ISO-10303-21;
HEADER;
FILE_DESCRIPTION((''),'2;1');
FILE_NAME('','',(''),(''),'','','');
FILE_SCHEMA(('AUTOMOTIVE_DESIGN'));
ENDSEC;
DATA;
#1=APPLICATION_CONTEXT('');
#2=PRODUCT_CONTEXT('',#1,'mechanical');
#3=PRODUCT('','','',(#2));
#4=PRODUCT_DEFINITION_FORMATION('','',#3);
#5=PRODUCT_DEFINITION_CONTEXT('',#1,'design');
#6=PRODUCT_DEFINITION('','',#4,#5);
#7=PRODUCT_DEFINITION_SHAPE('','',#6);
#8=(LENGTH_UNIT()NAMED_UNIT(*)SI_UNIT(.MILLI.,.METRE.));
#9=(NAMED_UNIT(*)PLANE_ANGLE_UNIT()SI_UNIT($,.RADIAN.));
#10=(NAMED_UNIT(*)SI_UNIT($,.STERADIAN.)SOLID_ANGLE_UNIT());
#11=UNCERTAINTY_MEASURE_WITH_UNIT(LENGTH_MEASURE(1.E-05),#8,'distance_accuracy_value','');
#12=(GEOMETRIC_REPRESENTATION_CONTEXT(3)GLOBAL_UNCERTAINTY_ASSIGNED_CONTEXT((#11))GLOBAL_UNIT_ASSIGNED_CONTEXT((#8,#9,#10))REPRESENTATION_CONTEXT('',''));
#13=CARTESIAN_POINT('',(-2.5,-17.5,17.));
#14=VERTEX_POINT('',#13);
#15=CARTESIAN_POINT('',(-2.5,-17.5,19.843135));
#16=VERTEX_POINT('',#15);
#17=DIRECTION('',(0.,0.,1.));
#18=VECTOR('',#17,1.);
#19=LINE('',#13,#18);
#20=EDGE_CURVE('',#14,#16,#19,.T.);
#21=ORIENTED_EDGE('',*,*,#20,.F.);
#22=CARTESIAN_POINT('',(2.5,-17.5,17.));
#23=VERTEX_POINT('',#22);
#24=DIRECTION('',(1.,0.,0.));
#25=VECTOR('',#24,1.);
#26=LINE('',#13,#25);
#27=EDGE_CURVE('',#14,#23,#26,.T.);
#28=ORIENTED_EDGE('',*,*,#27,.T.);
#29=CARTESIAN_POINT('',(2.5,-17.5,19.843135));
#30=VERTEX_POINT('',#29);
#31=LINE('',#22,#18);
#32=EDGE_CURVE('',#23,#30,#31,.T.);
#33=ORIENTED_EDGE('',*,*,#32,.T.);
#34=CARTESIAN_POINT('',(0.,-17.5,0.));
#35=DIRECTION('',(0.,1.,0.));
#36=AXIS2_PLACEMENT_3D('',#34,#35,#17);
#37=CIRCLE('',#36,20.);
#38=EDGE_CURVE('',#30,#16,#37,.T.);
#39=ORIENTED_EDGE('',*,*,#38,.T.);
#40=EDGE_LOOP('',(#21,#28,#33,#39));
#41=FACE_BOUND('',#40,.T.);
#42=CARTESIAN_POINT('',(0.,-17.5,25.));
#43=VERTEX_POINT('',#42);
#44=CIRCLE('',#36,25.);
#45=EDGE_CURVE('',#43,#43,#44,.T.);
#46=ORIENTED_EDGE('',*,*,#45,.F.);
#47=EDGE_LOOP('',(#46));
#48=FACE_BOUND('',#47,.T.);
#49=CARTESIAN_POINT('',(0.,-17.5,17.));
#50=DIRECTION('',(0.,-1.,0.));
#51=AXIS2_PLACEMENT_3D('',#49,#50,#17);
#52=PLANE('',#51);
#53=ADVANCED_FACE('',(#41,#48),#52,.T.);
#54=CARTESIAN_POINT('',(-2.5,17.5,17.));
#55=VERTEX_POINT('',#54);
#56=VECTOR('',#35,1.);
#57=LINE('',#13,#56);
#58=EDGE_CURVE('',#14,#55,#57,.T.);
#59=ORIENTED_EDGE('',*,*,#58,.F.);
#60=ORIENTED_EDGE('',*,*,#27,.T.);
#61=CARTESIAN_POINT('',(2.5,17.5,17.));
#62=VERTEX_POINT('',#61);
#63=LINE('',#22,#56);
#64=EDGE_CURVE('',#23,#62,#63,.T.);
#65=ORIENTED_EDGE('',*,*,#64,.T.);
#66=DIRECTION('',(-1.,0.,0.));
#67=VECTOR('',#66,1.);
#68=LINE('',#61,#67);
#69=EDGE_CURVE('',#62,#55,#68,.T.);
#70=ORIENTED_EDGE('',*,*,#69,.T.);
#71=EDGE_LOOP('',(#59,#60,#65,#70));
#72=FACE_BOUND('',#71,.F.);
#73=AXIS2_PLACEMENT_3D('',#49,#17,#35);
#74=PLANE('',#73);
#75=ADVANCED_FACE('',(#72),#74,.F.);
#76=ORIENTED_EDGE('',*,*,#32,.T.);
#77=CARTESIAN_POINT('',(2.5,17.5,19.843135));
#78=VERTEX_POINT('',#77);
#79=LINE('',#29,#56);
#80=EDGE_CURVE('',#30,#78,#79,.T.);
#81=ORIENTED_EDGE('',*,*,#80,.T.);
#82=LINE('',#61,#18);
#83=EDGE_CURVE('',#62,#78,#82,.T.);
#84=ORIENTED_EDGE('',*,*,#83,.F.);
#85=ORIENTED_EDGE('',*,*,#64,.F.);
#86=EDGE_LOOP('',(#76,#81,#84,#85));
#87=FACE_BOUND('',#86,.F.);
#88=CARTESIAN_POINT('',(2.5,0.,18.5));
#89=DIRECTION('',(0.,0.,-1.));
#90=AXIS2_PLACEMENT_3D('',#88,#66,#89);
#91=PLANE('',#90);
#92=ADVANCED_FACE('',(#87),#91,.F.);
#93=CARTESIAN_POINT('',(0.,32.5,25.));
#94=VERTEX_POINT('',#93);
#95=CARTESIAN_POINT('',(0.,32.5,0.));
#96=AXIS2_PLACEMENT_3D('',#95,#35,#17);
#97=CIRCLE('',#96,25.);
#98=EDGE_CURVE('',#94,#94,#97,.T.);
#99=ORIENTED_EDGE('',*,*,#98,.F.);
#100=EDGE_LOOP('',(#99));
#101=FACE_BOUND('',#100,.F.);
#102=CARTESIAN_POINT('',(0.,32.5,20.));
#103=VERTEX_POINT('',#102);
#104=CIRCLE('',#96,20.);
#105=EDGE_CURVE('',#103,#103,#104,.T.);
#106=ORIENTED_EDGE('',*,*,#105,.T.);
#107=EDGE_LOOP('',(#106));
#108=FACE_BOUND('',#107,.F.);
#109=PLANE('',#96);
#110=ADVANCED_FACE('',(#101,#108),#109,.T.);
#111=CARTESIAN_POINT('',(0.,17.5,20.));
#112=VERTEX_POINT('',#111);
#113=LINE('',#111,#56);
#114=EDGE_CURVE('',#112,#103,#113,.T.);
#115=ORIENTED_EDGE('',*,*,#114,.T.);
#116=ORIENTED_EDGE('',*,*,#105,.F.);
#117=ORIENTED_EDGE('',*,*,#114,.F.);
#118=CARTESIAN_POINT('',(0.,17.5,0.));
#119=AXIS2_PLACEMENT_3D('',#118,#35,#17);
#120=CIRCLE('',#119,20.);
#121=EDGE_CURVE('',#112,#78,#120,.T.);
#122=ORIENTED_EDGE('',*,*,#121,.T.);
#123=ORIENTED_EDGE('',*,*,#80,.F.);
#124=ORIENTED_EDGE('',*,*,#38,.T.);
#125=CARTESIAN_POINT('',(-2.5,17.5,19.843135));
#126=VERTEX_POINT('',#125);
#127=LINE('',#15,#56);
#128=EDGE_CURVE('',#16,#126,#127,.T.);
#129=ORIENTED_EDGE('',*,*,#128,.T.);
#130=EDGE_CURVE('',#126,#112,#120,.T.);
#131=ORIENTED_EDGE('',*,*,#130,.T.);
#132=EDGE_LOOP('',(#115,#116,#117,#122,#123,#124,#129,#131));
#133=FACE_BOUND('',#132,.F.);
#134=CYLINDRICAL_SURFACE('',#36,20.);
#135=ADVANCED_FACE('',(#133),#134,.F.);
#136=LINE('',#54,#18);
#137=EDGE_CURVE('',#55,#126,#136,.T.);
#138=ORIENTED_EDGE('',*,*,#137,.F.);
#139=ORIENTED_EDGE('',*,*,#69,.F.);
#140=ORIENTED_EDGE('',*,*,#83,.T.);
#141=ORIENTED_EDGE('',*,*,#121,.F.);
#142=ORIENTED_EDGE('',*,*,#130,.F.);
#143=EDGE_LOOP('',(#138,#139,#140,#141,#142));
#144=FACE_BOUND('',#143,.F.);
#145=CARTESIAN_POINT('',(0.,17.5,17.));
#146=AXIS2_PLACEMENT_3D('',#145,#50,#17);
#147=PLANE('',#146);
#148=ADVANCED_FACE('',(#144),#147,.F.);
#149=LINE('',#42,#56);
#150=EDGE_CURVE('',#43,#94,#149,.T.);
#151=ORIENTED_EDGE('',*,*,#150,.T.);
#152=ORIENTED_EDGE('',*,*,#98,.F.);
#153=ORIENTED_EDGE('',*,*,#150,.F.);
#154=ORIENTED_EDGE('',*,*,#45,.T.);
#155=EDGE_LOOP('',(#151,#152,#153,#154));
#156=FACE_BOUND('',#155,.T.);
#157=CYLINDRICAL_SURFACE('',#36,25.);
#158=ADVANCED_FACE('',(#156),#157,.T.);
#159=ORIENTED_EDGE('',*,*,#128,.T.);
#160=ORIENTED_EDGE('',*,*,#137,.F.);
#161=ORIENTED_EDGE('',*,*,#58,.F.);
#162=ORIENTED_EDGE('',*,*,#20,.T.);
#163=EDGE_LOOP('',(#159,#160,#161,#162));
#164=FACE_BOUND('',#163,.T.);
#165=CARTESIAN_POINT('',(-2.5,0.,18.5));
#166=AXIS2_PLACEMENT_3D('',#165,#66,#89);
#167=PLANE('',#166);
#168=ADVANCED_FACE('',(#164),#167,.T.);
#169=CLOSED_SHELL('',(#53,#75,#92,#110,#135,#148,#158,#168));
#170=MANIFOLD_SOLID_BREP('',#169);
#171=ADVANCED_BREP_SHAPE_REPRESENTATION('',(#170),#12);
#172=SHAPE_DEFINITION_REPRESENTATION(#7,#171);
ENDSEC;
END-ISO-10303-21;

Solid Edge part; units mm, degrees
sketch "Sketch1" plane through (0, 0, 0) normal (1, 0, 0) x (0, 1, 0)
  line L0 (-17.5, 20) -> (17.5, 20)
  line L1 (17.5, 17) -> (17.5, 20)
  line L2 (-17.5, 17) -> (17.5, 17)
  line L3 (-17.5, 17) -> (-17.5, 20)
extrude "Protrusion1" add sketch "Sketch1" along normal mid plane 5
sketch "Sketch2" plane through (0, 0, 0) normal (1, 0, 0) x (0, 1, 0)
  line L0 (-17.5, 20) -> (-17.5, 25)
  line L1 (-17.5, 25) -> (32.5, 25)
  line L2 (32.5, 20) -> (32.5, 25)
  line L3 (17.5, 20) -> (32.5, 20)
  line L4 (-17.5, 20) -> (17.5, 20)
revolve "RevolvedProtrusion1" add sketch "Sketch2" angle 360 about axis through (0, -17.5, 0) along (0, 1, 0)
